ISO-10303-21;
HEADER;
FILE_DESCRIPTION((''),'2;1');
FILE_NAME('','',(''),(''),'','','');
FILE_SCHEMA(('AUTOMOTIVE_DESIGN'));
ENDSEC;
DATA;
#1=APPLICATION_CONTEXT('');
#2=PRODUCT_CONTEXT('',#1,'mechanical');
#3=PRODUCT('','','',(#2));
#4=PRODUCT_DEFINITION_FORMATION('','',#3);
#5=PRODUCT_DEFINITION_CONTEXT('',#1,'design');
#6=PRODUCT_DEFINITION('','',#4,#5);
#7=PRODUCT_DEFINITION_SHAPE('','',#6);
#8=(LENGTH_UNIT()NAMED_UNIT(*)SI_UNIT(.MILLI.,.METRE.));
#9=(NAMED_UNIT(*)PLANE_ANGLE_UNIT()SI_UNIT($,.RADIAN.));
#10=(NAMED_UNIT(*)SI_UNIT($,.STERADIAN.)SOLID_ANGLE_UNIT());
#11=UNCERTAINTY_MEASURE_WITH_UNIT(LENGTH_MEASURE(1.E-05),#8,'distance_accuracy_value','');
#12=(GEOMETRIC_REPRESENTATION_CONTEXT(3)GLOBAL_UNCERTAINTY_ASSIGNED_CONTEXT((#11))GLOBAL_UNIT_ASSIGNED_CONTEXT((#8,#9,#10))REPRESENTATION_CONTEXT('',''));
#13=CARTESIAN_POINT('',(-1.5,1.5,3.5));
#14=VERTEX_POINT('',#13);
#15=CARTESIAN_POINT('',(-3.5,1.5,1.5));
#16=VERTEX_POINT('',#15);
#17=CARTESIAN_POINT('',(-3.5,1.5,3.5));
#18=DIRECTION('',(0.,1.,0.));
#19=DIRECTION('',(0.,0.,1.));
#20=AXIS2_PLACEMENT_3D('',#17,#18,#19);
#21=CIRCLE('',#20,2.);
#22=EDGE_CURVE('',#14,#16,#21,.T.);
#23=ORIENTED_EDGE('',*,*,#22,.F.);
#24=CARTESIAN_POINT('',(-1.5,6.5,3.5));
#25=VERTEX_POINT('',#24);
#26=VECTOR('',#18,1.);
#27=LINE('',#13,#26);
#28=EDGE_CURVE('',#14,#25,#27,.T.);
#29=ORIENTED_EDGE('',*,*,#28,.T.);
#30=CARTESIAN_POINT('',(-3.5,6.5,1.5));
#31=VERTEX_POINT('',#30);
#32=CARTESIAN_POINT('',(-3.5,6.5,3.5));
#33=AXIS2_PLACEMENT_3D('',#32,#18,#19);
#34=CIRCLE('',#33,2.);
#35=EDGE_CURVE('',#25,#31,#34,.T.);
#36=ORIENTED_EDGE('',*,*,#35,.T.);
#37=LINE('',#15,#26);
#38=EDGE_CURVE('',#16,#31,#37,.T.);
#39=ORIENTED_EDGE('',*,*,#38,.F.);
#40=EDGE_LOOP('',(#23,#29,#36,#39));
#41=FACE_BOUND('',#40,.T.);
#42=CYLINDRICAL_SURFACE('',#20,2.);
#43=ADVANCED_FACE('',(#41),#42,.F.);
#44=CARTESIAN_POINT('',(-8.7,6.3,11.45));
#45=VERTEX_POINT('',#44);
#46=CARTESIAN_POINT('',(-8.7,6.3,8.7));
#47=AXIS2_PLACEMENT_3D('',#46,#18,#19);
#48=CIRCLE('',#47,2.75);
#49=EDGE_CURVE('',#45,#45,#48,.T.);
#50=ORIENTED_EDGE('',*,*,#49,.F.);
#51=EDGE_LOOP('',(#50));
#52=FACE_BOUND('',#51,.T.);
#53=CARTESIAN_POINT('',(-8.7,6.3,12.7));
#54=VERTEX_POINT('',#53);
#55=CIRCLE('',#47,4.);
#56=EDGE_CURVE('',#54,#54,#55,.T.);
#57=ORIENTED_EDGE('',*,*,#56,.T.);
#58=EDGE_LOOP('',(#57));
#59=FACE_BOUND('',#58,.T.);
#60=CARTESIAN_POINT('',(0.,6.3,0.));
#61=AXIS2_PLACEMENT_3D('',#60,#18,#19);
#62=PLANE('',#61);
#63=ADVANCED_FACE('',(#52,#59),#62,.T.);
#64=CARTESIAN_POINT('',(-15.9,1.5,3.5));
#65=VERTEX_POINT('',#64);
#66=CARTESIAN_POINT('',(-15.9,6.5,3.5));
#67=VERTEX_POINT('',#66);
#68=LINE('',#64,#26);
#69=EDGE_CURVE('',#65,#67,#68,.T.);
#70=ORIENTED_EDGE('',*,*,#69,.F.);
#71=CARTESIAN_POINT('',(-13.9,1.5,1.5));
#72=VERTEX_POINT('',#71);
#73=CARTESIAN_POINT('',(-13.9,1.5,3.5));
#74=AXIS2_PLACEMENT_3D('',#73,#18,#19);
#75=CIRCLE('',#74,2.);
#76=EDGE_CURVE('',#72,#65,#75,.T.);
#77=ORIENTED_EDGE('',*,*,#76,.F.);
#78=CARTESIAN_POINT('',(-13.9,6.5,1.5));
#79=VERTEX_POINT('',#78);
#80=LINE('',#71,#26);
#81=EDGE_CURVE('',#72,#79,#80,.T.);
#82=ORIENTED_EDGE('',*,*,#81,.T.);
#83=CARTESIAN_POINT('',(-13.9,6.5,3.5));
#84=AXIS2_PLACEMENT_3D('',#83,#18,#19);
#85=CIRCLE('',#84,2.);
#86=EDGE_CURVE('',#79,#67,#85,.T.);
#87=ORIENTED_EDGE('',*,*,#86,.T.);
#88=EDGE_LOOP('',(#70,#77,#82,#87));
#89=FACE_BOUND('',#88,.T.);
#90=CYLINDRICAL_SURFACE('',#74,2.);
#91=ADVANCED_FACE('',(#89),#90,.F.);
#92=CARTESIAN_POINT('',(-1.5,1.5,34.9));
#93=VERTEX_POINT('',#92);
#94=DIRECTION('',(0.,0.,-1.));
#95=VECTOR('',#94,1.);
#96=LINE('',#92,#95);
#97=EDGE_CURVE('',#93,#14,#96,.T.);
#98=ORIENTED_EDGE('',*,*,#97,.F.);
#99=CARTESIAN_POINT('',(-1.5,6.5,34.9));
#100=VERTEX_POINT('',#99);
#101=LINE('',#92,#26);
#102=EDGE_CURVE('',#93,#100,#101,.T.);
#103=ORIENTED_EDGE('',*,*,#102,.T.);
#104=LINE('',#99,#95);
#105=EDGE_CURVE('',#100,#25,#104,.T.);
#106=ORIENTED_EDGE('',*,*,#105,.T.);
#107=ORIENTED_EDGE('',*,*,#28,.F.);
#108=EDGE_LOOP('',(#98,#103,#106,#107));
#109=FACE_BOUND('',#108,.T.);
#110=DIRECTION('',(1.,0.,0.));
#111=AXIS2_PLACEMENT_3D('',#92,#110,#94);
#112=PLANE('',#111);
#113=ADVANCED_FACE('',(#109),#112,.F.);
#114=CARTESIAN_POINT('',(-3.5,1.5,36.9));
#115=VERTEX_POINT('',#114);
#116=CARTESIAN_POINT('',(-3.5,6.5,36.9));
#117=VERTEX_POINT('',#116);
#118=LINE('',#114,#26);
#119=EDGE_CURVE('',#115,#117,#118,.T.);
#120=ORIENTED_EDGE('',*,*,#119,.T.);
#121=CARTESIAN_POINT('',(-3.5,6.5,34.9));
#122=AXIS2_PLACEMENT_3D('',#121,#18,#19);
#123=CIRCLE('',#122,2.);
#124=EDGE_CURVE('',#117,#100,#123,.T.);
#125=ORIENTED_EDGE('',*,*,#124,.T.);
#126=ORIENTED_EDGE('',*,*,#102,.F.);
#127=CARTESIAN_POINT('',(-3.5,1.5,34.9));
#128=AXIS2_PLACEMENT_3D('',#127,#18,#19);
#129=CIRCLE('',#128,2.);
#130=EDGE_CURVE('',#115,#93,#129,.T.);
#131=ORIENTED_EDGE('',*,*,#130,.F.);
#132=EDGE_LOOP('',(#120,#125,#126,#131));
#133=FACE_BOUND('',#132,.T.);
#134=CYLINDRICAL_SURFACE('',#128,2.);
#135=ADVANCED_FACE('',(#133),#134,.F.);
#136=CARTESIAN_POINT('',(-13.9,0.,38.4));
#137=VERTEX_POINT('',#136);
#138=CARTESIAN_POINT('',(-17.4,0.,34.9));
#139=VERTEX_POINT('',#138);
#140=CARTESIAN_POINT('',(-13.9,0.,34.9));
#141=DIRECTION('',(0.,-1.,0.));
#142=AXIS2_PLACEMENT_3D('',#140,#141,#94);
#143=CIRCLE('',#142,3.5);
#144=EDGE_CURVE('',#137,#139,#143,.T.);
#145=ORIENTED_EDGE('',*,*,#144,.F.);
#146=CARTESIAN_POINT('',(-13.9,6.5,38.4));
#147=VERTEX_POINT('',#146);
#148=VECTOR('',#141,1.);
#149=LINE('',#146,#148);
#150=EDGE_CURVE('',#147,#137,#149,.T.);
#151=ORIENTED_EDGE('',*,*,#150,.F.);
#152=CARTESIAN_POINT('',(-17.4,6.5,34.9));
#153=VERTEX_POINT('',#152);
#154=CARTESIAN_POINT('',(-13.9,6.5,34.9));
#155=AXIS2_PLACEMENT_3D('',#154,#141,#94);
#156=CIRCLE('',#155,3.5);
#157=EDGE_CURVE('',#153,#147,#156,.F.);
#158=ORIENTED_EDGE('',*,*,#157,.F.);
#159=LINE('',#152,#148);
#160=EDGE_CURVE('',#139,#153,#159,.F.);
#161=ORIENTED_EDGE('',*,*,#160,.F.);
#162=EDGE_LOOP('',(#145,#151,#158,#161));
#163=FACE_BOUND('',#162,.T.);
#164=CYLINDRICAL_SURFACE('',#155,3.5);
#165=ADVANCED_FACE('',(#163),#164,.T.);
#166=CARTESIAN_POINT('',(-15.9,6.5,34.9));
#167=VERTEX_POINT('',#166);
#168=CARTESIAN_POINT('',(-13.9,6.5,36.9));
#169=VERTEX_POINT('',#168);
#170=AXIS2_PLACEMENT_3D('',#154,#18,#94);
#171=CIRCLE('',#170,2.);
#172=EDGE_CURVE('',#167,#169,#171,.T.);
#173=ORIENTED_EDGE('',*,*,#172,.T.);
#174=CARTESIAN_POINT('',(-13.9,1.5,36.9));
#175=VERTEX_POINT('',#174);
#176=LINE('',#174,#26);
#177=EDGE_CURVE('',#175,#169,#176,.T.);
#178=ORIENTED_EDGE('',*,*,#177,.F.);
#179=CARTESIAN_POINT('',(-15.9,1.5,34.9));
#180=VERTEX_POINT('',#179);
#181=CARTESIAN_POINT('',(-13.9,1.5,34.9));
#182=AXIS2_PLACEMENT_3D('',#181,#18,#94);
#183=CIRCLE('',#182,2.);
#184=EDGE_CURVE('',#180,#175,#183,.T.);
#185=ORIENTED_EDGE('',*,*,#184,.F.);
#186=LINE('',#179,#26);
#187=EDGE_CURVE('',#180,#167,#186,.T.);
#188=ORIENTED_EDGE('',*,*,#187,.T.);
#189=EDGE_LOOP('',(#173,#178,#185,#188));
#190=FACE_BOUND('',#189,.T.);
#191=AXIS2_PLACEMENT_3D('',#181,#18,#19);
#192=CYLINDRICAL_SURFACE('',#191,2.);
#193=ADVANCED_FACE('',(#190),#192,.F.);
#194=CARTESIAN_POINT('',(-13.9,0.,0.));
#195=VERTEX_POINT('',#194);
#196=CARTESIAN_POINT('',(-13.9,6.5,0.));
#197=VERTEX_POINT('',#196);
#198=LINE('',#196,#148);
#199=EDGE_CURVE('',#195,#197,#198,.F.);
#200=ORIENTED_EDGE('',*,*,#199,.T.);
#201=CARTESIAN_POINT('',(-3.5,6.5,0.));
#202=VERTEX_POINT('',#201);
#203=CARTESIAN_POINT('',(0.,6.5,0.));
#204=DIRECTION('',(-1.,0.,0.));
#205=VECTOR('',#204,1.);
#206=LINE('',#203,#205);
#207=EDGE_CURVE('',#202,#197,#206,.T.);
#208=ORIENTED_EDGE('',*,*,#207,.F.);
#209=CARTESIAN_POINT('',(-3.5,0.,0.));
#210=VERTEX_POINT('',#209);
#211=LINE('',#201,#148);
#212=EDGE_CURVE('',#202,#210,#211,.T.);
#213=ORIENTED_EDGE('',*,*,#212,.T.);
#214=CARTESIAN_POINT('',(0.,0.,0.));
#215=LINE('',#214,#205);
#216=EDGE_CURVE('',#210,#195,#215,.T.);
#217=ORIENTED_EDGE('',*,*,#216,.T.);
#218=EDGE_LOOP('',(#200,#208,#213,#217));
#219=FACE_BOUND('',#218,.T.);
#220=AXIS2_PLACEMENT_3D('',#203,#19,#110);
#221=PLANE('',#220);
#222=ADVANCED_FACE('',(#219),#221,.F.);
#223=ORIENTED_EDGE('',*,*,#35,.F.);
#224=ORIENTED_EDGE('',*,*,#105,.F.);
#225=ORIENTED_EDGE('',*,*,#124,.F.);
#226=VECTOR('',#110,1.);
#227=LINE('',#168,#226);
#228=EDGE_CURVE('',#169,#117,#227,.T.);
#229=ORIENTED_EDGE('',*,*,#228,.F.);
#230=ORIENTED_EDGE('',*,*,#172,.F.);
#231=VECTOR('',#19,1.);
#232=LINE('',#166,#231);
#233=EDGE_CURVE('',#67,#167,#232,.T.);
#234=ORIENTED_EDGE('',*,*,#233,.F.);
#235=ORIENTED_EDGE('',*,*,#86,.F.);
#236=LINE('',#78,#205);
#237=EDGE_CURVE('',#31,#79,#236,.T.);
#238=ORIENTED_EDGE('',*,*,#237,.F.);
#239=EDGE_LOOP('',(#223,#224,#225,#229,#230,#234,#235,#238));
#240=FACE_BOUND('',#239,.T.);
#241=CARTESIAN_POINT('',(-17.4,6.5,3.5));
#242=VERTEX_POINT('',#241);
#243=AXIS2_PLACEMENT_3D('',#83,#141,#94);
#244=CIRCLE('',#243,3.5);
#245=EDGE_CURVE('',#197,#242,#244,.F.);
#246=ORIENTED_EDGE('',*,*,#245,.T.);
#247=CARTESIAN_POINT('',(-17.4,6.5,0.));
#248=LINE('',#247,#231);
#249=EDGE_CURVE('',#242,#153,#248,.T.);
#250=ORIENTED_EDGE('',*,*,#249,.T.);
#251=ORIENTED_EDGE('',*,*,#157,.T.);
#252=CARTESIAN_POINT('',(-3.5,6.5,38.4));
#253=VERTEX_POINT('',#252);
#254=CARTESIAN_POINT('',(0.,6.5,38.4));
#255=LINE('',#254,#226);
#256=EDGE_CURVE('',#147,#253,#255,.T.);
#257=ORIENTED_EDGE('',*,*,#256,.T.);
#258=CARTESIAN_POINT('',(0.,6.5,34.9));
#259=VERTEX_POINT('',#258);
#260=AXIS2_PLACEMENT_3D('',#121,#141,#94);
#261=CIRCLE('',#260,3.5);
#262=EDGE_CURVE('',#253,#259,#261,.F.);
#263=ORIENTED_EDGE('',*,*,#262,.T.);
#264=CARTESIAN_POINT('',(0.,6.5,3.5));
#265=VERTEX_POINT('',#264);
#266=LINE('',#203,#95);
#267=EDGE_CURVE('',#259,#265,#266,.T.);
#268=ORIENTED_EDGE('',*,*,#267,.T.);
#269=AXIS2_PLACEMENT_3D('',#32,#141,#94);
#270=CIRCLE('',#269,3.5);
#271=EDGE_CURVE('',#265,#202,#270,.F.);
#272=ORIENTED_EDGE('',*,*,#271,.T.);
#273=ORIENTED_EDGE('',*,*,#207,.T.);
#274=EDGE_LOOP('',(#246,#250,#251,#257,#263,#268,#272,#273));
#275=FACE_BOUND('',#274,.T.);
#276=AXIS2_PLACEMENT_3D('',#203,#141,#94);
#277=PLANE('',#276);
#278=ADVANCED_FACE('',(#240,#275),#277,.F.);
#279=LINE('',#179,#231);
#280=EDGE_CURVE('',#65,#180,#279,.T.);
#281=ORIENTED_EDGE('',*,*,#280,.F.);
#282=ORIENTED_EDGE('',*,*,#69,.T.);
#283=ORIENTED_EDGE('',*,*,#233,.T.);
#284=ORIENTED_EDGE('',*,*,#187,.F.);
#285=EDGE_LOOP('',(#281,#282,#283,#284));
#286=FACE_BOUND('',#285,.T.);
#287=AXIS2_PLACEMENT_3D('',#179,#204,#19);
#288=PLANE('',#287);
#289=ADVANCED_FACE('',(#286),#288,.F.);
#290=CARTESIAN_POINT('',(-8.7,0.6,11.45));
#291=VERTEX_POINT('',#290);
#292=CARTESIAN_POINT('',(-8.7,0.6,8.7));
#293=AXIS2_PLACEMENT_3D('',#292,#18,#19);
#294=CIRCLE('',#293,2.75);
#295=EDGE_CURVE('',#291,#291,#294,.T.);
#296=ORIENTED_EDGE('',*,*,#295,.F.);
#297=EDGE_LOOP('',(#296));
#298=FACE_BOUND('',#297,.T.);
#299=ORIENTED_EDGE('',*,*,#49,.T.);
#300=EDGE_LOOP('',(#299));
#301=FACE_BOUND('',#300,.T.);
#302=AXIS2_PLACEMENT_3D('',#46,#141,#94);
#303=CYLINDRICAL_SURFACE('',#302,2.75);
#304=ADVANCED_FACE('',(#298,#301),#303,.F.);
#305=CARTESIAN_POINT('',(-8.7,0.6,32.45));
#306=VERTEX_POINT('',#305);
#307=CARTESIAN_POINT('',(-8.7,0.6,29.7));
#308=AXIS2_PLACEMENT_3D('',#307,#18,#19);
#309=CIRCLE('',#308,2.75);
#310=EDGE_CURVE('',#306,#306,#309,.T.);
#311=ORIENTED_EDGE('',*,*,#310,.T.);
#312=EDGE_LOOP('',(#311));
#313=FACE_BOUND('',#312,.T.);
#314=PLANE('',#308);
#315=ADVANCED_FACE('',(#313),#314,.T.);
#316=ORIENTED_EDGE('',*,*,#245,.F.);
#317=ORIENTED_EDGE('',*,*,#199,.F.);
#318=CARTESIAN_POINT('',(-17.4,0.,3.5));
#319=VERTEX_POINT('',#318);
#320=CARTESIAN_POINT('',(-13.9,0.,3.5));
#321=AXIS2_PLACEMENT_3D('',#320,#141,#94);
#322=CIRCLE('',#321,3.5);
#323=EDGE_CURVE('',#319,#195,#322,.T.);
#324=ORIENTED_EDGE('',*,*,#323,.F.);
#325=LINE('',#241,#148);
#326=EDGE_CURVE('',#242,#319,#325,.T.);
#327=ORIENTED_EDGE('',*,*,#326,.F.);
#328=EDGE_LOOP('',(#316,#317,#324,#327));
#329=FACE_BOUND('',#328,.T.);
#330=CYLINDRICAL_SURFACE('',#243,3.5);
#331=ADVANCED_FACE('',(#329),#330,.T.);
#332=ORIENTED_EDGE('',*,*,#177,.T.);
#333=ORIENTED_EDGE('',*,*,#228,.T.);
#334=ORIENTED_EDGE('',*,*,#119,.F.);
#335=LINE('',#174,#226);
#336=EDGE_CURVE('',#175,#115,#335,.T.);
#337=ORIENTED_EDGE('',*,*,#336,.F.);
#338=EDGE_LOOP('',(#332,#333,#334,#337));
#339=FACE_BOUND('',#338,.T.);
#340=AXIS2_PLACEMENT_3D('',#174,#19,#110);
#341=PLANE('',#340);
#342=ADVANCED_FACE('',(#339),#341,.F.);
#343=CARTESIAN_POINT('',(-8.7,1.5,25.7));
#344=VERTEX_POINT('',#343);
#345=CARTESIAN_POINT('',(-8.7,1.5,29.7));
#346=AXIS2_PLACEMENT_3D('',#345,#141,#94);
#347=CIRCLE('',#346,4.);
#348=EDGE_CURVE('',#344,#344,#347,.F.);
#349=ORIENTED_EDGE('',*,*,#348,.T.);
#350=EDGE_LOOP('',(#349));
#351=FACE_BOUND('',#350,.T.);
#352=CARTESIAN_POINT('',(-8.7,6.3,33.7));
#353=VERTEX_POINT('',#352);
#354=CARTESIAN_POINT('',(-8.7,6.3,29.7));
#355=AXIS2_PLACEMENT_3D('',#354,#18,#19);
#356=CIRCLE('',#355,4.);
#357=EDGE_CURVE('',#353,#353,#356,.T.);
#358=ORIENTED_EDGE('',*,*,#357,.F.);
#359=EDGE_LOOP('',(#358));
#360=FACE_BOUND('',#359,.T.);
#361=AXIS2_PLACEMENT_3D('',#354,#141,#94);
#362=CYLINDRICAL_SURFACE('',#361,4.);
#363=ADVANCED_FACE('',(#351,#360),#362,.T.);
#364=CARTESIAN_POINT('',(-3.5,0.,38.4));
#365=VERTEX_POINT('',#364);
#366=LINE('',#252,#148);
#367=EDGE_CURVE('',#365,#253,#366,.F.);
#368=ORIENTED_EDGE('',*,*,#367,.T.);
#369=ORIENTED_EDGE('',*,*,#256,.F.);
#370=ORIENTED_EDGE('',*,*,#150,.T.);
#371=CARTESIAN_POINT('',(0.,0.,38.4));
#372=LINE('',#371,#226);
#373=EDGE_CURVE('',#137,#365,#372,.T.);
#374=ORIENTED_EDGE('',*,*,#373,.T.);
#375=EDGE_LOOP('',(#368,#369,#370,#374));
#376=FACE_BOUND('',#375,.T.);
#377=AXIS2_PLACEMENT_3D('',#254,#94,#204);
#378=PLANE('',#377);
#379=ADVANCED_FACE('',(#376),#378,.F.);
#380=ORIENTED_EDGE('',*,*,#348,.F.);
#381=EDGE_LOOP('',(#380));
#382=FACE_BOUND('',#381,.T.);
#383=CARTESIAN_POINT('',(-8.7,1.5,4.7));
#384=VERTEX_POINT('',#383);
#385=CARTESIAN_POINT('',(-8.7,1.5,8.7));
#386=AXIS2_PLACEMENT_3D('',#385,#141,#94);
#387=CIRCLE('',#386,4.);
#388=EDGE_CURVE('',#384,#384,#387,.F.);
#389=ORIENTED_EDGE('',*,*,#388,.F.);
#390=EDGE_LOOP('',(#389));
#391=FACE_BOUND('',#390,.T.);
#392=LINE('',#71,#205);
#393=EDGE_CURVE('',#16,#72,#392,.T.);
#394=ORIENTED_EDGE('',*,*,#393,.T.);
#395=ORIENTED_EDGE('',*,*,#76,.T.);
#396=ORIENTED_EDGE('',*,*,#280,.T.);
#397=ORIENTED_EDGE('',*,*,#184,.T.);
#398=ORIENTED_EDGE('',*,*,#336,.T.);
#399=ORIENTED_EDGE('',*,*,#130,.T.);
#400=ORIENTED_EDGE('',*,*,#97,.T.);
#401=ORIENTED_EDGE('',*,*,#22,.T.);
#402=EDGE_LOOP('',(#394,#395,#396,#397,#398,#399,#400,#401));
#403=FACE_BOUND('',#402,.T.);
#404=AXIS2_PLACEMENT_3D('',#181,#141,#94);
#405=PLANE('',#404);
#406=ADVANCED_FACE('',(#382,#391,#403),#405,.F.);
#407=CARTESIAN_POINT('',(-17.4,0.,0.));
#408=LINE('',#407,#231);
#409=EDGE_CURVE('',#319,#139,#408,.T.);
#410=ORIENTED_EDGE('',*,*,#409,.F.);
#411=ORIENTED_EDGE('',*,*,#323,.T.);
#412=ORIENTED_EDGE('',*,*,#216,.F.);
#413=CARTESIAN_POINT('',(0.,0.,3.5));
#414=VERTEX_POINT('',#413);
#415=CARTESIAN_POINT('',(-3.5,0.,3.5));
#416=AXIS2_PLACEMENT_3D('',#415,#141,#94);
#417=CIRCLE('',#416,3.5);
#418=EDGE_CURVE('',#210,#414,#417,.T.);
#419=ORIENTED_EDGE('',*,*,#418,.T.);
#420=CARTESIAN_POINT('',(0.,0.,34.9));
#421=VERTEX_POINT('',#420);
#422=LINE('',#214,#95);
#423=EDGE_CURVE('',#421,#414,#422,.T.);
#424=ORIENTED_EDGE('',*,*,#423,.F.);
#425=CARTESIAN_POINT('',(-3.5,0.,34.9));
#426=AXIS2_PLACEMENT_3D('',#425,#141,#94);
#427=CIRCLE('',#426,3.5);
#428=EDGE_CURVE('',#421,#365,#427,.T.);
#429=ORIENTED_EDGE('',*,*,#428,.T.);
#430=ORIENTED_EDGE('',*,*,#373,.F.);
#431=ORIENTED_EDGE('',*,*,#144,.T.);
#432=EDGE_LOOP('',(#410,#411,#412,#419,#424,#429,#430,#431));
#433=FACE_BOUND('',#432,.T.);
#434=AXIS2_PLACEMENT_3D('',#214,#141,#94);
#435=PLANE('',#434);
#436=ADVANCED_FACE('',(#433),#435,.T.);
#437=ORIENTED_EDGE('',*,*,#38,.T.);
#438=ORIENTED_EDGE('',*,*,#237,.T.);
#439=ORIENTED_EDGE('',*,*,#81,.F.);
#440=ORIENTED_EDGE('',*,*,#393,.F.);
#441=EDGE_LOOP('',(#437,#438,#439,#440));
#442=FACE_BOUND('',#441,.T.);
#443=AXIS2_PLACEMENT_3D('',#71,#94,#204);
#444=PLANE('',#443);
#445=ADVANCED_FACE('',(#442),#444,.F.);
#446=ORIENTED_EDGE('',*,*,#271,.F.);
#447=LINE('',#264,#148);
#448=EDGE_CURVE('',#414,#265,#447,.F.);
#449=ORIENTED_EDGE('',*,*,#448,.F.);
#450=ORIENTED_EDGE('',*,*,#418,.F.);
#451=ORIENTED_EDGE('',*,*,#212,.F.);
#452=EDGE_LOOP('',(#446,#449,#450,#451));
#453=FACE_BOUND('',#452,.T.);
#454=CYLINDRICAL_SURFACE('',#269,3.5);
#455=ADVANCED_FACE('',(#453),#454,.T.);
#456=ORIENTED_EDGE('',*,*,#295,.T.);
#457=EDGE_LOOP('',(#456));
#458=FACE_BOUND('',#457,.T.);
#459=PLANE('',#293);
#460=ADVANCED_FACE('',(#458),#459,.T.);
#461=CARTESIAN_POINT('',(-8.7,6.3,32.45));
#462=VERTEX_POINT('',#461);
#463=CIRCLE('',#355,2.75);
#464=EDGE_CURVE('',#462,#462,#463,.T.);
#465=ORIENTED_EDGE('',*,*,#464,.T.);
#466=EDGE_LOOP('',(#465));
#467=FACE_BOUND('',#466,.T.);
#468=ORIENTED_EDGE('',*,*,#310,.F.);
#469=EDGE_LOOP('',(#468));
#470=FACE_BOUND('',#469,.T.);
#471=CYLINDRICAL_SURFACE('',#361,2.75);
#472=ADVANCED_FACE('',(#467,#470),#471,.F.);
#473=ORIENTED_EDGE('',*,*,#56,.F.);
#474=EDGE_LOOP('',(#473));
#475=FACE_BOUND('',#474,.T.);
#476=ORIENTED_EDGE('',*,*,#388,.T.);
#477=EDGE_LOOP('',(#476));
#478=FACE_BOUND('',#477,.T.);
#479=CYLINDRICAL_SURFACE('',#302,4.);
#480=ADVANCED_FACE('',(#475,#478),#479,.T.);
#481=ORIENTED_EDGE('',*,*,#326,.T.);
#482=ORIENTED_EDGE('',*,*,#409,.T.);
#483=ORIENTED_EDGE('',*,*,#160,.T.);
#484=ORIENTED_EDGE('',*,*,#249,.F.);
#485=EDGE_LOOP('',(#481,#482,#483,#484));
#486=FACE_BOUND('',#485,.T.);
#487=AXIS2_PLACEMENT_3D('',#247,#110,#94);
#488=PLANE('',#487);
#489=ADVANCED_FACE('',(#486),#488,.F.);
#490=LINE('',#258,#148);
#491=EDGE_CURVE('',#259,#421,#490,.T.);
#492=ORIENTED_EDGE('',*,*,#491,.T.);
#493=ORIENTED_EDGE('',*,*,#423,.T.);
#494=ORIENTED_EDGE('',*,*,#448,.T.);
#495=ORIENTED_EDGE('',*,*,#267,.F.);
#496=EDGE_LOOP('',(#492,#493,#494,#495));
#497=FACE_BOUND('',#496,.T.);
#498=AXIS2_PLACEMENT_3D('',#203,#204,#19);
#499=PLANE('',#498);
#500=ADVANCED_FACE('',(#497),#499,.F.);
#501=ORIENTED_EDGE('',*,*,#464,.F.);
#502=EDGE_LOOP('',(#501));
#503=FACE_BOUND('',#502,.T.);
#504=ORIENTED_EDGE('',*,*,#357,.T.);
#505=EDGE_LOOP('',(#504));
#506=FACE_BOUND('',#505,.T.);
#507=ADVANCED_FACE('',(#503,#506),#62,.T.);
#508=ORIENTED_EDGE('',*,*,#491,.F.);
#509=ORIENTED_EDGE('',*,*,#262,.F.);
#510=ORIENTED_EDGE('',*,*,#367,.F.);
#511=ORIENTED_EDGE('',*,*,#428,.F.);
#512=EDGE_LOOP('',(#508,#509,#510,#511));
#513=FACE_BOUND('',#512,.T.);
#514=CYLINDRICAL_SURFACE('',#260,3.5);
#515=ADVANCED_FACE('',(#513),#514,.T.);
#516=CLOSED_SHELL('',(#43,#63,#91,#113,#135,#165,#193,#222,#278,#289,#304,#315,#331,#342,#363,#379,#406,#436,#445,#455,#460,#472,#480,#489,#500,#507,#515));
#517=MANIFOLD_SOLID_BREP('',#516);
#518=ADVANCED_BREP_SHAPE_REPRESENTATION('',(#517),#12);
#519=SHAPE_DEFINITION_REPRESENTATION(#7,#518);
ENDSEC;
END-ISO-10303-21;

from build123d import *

# Parameters (mm, degrees)
SKETCH1_W           = 17.4
SKETCH1_H           = 38.4
BOSS_EXTRUDE1_DEPTH = 6.5
FILLET1_R           = 3.5
CUT_EXTRUDE1_DEPTH  = 5
SKETCH3_R           = 4
SKETCH3_R_2         = 2.75
BOSS_EXTRUDE2_DEPTH = 4.8
SKETCH4_R           = 2.75
CUT_EXTRUDE2_DEPTH  = 0.9


with BuildPart() as part:
    # Sketch1 → Boss-Extrude1 (new body)
    with BuildSketch(Plane(origin=(0, 0, 0), x_dir=(1, 0, 0), z_dir=(0, 1, 0))):
        with Locations((-8.7, -19.2)):
            Rectangle(SKETCH1_W, SKETCH1_H)
    extrude(amount=BOSS_EXTRUDE1_DEPTH)

    # Fillet1
    fillet1_edges = [part.edges().sort_by_distance(p)[0] for p in [
        (0, 3.25, 38.4),
        (-17.4, 3.25, 38.4),
        (-17.4, 3.25, 0),
        (0, 3.25, 0),
    ]]
    fillet(fillet1_edges, radius=FILLET1_R)

    # Sketch2 → Cut-Extrude1 (cut)
    with BuildSketch(Plane(origin=(0, 6.5, 0), x_dir=(1, 0, 0), z_dir=(0, 1, 0))):
        with BuildLine():
            Line((-13.9, -36.9), (-3.5, -36.9))
            ThreePointArc((-3.5, -36.9), (-2.085786438, -36.314213562), (-1.5, -34.9))
            Line((-1.5, -34.9), (-1.5, -3.5))
            ThreePointArc((-1.5, -3.5), (-2.085786438, -2.085786438), (-3.5, -1.5))
            Line((-3.5, -1.5), (-13.9, -1.5))
            ThreePointArc((-13.9, -1.5), (-15.314213562, -2.085786438), (-15.9, -3.5))
            Line((-15.9, -3.5), (-15.9, -34.9))
            ThreePointArc((-15.9, -34.9), (-15.314213562, -36.314213562), (-13.9, -36.9))
        make_face()
    extrude(amount=-CUT_EXTRUDE1_DEPTH, mode=Mode.SUBTRACT)

    # Sketch3 → Boss-Extrude2 (add)
    with BuildSketch(Plane(origin=(0, 1.5, 0), x_dir=(1, 0, 0), z_dir=(0, 1, 0))):
        with Locations((-8.7, -29.7)):
            Circle(SKETCH3_R)
        with Locations((-8.7, -29.7)):
            Circle(SKETCH3_R_2, mode=Mode.SUBTRACT)
        with Locations((-8.7, -8.7)):
            Circle(SKETCH3_R)
        with Locations((-8.7, -8.7)):
            Circle(SKETCH3_R_2, mode=Mode.SUBTRACT)
    extrude(amount=BOSS_EXTRUDE2_DEPTH)

    # Sketch4 → Cut-Extrude2 (cut)
    with BuildSketch(Plane(origin=(0, 1.5, 0), x_dir=(1, 0, 0), z_dir=(0, 1, 0))):
        with Locations((-8.7, -29.7)):
            Circle(SKETCH4_R)
        with Locations((-8.7, -8.7)):
            Circle(SKETCH4_R)
    extrude(amount=-CUT_EXTRUDE2_DEPTH, mode=Mode.SUBTRACT)


solid = part.part
